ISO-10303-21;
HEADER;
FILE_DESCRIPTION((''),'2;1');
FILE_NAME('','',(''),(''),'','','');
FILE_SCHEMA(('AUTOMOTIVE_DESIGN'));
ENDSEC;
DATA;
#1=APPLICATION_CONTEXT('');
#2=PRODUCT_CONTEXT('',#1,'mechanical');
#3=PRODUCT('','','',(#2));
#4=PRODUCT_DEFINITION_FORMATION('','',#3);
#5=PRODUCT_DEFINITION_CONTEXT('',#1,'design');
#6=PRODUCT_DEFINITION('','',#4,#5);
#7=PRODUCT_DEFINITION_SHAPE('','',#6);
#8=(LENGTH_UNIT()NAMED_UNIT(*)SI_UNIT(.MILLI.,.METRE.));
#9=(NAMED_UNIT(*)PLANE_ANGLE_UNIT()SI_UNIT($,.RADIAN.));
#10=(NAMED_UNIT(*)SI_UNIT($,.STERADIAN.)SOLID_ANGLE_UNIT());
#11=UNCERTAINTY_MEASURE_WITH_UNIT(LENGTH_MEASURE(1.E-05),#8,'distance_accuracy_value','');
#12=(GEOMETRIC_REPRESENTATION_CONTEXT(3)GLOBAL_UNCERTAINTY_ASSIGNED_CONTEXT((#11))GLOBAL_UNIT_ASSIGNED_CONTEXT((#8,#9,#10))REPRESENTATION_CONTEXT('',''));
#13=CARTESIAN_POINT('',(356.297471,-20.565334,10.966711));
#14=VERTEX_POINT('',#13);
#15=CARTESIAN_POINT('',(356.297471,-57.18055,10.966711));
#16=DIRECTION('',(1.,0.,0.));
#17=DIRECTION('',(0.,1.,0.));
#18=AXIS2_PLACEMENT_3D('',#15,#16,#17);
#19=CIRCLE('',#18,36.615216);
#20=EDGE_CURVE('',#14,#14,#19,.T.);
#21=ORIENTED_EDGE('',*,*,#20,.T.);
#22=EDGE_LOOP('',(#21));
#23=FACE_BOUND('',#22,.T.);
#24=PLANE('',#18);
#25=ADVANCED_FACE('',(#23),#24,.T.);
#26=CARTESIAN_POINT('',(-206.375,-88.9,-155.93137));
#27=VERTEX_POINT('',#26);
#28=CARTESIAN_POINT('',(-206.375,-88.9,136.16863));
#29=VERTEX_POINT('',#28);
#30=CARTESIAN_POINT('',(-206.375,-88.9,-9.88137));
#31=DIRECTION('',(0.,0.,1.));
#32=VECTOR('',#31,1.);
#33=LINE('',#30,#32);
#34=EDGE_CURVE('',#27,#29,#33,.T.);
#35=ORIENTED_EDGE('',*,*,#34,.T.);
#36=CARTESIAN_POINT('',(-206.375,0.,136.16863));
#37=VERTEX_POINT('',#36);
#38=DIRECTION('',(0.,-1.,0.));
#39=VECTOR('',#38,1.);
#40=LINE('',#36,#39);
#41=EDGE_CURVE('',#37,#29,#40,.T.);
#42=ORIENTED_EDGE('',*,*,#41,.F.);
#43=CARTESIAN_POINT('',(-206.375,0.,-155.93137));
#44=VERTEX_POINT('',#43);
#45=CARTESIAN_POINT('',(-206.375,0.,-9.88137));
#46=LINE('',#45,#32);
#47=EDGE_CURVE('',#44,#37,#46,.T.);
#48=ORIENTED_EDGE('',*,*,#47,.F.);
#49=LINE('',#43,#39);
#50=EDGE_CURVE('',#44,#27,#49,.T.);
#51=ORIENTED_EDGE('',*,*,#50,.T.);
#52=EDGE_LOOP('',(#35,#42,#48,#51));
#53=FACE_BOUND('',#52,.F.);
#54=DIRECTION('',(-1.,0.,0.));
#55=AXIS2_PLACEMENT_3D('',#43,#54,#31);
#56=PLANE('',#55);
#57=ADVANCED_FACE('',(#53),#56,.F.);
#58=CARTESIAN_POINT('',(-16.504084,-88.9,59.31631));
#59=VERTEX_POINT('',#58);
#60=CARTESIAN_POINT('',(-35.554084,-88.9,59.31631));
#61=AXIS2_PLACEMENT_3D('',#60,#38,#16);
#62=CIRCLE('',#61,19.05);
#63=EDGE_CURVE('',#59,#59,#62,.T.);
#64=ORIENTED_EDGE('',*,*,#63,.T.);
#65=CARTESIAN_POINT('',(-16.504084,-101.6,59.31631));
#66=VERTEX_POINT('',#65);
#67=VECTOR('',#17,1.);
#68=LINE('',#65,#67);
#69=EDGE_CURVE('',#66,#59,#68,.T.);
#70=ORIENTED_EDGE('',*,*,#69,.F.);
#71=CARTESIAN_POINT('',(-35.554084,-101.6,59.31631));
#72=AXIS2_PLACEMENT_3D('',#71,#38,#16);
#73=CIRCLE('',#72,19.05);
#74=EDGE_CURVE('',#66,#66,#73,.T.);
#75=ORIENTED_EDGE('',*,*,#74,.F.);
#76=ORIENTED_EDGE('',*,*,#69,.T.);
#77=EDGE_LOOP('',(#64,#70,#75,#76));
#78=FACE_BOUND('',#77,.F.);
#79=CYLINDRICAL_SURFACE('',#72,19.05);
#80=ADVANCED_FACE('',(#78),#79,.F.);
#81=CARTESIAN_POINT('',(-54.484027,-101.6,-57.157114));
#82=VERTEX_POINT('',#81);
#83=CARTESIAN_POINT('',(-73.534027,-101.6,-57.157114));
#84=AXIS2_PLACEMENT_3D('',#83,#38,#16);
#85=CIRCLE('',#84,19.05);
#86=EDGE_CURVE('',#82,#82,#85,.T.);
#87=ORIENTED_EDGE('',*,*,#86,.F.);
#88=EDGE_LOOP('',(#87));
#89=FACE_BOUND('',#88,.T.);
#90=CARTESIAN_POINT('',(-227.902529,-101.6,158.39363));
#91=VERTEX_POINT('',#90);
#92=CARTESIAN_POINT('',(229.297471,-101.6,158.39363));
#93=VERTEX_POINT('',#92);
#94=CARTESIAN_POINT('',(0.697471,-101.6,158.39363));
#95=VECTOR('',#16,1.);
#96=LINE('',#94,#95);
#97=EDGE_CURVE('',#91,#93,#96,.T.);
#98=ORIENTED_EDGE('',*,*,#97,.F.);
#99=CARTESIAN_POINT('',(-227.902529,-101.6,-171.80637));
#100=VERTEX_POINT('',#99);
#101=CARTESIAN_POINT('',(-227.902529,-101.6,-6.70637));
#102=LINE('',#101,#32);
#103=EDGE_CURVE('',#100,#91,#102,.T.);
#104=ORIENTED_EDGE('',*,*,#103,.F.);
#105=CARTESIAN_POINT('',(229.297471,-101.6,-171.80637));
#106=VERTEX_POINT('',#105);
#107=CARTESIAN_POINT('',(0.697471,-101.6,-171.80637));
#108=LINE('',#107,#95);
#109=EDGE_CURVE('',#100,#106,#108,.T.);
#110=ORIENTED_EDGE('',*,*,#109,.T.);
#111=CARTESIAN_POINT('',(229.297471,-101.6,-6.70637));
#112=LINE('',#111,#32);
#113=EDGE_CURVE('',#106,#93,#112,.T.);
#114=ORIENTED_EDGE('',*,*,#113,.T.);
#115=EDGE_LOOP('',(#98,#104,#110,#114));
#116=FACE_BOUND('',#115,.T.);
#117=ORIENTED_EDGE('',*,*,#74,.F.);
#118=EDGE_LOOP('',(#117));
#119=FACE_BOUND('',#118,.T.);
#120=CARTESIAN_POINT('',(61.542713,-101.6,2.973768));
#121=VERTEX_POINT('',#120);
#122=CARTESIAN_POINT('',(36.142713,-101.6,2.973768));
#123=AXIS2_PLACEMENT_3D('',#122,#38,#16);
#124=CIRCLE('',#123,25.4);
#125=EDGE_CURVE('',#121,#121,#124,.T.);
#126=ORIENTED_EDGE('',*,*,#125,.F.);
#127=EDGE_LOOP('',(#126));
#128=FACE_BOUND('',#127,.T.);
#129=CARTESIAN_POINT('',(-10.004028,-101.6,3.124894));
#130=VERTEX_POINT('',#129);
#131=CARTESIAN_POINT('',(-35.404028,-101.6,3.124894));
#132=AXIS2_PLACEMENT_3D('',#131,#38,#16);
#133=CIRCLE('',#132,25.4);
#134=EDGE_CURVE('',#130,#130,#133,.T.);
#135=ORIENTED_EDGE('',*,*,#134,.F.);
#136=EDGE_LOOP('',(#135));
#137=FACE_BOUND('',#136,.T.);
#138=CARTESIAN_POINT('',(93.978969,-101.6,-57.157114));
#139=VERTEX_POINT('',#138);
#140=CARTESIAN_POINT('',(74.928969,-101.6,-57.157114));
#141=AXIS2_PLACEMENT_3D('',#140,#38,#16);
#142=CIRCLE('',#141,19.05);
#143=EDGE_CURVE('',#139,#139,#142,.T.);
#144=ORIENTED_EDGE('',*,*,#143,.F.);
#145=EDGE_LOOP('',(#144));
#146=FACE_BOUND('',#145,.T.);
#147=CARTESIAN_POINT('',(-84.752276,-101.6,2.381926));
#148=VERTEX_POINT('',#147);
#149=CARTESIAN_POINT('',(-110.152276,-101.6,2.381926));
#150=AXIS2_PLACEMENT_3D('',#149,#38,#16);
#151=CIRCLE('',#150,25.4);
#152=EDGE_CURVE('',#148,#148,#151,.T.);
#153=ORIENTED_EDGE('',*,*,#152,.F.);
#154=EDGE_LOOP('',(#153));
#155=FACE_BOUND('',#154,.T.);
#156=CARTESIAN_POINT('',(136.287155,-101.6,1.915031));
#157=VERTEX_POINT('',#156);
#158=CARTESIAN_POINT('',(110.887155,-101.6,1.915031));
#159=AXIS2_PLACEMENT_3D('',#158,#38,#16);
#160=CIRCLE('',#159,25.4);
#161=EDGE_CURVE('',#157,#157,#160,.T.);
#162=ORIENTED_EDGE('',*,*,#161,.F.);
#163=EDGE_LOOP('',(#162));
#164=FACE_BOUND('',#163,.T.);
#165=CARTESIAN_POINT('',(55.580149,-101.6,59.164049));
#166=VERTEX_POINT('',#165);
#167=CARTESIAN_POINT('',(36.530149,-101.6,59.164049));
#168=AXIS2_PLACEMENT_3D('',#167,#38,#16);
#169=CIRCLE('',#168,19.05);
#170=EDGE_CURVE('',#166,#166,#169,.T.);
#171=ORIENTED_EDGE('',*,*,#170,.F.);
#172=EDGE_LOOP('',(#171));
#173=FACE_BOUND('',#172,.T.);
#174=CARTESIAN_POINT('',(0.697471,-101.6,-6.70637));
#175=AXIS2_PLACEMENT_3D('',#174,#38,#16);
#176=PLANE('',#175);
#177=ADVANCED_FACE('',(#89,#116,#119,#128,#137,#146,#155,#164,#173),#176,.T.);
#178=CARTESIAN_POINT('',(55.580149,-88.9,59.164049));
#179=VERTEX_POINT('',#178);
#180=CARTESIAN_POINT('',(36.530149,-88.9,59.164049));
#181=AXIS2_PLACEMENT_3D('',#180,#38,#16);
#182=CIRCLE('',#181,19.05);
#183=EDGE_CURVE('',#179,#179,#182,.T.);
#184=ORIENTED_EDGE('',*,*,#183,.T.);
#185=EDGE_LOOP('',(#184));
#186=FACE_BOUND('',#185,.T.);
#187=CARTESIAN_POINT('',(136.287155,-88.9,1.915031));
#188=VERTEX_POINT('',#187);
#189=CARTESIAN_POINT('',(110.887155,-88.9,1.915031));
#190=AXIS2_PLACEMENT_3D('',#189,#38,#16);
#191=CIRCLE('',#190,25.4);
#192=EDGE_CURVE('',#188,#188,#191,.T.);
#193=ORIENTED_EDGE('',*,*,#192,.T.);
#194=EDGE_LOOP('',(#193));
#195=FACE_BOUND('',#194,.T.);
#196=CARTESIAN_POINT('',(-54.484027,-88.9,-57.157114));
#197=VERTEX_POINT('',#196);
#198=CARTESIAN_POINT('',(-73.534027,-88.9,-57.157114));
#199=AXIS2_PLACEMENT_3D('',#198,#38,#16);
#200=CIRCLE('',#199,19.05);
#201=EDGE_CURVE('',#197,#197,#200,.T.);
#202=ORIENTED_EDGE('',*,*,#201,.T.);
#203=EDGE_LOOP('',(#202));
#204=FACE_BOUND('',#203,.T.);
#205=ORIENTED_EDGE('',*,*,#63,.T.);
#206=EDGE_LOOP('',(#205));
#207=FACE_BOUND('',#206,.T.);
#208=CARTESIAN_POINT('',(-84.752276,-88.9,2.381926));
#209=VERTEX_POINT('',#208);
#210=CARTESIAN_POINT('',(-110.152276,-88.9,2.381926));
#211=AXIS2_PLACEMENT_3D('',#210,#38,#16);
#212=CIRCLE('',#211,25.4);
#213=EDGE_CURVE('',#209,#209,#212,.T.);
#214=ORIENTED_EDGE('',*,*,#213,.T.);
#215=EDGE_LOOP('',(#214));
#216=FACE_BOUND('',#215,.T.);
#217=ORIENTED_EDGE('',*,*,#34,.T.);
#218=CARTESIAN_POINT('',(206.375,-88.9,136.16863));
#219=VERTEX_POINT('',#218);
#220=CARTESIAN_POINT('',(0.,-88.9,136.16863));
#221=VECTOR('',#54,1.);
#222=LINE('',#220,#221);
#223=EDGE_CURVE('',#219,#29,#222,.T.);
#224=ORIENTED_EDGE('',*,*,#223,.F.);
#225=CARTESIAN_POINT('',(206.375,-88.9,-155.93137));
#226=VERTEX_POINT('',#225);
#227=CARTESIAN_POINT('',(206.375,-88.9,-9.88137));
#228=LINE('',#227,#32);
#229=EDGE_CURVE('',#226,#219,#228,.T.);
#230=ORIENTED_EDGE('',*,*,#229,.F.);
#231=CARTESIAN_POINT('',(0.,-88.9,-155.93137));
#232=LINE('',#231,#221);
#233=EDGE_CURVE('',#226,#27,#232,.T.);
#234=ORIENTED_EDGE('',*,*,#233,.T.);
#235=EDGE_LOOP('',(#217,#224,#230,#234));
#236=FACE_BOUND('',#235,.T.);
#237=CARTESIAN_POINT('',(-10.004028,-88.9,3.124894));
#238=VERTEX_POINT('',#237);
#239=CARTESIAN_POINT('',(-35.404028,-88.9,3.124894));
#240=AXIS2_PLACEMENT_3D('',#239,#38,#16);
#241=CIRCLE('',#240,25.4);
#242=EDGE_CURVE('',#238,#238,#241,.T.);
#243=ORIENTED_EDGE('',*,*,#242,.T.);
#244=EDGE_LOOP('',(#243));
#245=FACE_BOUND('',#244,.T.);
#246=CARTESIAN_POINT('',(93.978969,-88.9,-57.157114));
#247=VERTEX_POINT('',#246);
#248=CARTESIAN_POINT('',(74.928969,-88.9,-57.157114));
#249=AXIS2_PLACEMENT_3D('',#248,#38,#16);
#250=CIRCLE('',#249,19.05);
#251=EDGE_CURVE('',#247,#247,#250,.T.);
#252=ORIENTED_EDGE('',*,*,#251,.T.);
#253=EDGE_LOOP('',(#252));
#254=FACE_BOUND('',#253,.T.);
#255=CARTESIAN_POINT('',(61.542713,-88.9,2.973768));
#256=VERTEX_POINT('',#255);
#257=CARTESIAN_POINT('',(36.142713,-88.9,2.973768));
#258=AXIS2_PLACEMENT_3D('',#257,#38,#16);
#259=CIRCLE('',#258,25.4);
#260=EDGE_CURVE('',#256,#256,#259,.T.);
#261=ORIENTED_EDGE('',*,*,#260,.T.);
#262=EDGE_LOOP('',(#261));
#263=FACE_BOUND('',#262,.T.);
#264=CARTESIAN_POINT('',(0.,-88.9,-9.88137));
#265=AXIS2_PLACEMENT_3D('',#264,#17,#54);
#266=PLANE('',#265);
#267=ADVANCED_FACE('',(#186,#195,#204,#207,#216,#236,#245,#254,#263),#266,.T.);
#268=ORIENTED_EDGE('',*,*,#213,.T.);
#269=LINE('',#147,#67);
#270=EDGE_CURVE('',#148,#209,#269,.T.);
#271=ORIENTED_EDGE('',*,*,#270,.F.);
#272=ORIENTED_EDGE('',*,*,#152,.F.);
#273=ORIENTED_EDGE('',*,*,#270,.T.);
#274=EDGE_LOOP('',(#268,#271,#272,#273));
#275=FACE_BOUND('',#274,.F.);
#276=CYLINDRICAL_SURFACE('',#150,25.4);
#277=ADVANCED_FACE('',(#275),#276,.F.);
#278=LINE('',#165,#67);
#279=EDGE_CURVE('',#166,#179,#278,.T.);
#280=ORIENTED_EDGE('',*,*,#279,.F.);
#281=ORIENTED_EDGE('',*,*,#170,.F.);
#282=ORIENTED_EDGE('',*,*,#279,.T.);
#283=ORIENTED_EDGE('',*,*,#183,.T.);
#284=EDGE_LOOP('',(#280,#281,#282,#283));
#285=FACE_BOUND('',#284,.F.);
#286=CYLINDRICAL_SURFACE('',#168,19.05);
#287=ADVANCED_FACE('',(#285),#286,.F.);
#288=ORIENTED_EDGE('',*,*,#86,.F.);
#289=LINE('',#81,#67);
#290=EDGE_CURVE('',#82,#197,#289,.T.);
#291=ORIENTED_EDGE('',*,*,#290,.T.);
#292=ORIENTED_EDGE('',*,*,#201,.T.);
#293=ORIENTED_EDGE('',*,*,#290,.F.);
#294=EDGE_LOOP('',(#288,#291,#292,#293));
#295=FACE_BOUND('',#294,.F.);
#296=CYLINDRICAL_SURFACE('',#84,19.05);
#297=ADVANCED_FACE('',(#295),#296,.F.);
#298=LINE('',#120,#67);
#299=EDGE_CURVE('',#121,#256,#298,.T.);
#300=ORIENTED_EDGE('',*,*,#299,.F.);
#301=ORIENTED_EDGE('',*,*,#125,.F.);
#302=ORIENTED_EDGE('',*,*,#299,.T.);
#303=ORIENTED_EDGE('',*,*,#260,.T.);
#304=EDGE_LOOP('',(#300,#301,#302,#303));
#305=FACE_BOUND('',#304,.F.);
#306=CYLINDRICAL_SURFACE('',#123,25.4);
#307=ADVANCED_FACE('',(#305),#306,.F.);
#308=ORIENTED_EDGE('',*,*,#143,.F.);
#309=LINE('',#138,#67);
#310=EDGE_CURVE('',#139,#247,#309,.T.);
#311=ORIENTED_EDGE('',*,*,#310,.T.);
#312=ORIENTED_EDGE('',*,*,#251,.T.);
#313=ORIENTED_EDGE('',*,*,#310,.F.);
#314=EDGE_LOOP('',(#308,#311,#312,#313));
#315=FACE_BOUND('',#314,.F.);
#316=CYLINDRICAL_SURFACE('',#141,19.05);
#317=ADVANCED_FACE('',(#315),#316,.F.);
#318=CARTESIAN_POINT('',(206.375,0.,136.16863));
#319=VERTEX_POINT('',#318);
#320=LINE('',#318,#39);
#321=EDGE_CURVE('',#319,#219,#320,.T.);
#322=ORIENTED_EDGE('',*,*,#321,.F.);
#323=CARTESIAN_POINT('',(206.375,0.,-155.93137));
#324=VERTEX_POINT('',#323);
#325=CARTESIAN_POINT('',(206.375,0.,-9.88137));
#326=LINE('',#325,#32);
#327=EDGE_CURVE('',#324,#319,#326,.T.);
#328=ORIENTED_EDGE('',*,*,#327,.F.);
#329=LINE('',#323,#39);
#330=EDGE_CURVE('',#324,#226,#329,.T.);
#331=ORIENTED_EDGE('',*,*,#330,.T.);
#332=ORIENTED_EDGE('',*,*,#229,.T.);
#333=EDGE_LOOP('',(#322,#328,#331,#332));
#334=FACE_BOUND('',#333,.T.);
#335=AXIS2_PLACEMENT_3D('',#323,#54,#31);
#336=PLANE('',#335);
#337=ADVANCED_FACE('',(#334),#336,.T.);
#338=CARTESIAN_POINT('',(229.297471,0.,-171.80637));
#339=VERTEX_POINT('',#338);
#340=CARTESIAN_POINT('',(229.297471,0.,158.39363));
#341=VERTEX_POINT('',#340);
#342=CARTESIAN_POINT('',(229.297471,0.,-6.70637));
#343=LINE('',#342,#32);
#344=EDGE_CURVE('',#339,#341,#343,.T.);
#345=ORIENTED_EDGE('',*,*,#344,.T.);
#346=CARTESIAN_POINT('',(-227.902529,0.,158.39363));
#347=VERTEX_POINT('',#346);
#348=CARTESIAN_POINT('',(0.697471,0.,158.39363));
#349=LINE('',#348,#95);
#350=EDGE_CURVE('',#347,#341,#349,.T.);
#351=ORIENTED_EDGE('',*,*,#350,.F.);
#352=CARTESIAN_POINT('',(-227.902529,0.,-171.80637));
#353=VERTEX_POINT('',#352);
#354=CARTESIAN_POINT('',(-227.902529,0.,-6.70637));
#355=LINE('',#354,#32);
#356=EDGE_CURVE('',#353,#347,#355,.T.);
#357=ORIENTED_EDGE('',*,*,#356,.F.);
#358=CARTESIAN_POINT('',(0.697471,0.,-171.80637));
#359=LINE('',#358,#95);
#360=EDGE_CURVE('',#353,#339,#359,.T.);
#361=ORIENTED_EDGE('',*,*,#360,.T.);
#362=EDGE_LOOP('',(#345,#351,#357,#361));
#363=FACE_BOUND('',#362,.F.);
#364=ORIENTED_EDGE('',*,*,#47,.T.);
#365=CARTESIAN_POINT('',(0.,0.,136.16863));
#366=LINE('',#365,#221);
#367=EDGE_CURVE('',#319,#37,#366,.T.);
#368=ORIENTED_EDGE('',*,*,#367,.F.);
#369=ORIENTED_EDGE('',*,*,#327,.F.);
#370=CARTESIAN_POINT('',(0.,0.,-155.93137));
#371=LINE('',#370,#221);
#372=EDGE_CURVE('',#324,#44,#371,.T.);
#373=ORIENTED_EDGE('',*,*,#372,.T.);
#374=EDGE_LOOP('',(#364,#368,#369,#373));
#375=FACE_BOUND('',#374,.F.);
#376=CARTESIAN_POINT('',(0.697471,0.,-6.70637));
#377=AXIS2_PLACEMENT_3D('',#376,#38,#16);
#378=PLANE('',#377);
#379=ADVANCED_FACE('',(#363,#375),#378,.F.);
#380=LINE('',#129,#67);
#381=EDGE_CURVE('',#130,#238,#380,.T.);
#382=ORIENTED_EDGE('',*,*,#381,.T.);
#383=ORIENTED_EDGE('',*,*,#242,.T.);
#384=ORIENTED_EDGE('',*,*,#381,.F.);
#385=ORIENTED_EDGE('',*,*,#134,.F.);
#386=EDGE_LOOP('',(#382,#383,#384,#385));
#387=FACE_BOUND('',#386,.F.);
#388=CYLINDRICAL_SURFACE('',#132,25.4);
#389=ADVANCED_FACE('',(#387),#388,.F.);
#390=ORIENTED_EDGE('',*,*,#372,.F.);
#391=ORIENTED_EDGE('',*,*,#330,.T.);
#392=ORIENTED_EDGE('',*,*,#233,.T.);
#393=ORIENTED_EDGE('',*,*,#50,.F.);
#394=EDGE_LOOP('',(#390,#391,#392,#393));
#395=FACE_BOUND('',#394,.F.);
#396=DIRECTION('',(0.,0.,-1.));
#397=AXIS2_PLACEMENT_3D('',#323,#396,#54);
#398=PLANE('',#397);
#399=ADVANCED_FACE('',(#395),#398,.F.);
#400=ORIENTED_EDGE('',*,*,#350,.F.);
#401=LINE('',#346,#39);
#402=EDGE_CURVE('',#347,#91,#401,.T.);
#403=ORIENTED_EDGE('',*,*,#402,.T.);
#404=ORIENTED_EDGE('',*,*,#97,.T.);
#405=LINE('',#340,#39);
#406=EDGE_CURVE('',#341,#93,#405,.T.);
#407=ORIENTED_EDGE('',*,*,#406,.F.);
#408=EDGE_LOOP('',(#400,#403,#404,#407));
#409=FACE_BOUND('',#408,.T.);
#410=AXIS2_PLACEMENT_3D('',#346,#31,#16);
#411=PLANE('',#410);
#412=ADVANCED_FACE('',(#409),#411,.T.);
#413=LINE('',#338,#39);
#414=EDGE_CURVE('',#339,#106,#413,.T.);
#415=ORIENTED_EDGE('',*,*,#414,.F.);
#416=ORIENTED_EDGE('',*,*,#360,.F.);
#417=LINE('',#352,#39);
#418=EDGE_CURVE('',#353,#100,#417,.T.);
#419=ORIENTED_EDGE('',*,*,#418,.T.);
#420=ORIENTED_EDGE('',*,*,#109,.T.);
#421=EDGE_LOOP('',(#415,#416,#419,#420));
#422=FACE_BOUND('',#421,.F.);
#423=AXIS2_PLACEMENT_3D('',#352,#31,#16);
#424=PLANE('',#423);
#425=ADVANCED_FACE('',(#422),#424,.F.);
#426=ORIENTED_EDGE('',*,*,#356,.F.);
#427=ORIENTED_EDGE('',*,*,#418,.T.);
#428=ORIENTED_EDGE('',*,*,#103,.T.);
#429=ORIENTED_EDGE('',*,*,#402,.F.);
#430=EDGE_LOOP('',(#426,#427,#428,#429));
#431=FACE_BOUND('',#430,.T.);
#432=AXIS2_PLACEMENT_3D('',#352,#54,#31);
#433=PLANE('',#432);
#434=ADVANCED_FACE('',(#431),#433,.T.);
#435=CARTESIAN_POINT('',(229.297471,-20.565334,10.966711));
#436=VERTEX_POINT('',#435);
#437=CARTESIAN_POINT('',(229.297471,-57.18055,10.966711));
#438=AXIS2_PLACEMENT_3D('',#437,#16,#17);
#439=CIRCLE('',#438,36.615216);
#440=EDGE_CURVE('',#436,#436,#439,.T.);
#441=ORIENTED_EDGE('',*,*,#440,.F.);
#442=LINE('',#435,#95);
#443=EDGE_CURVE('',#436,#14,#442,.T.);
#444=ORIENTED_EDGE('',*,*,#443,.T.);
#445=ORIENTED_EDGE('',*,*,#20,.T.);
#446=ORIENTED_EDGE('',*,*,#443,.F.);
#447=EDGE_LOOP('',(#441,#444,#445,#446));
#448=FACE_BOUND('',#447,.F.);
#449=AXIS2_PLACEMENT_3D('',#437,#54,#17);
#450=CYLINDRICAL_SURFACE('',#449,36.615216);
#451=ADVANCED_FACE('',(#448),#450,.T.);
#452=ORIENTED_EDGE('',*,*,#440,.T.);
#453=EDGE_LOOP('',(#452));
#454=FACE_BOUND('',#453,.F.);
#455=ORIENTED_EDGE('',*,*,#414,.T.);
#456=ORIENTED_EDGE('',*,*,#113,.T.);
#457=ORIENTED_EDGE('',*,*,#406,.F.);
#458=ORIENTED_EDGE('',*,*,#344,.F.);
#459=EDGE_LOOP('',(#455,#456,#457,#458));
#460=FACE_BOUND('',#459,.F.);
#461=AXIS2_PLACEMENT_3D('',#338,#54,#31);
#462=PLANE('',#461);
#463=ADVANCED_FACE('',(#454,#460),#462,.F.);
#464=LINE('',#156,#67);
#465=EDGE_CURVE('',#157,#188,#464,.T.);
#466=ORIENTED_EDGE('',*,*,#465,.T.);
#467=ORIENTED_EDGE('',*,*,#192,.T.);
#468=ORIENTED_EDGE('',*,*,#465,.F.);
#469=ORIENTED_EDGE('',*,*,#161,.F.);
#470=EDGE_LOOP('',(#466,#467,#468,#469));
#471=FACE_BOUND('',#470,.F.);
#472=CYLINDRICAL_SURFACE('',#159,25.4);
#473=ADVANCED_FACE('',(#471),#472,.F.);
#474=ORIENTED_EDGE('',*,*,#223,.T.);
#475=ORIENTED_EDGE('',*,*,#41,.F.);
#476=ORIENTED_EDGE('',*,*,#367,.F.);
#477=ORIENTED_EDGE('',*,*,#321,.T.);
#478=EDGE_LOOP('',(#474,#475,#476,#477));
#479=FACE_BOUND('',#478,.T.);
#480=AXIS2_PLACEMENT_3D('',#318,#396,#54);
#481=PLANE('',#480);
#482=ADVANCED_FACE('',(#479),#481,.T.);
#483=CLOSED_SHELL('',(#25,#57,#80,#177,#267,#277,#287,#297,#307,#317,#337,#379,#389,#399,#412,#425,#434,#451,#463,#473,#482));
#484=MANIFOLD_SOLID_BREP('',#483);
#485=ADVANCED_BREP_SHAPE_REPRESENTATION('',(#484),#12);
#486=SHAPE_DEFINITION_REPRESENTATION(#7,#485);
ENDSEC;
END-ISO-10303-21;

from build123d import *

# Parameters (mm, degrees)
F0_W     = 457.2
F0_H     = 330.2
F1_DEPTH = 101.6
F2_W     = 412.75
F2_H     = 292.1
F3_DEPTH = 88.9
F4_R     = 25.4
F4_R_2   = 19.05
F5_DEPTH = 12.7
F6_R     = 36.615216
F7_DEPTH = 127


with BuildPart() as f1:
    # F0 (on Front) → F1 (new body)
    with BuildSketch(Plane.XZ):
        with Locations((0.697471, -6.70637)):
            Rectangle(F0_W, F0_H)
    extrude(amount=F1_DEPTH)

    # F2 (on face) → F3 (cut)
    with BuildSketch(Plane(origin=(0, 0, 0), x_dir=(-1, 0, 0), z_dir=(0, 1, 0))):
        with Locations((0, -9.88137)):
            Rectangle(F2_W, F2_H)
    extrude(amount=-F3_DEPTH, mode=Mode.SUBTRACT)

    # F4 (on face) → F5 (cut, through all)
    with BuildSketch(Plane.XZ.offset(101.6)):
        with Locations((-35.404028, 3.124894)):
            Circle(F4_R)
        with Locations((-110.152276, 2.381926)):
            Circle(F4_R)
        with Locations((-35.554084, 59.31631)):
            Circle(F4_R_2)
        with Locations((-73.534027, -57.157114)):
            Circle(F4_R_2)
        with Locations((36.530149, 59.164049)):
            Circle(F4_R_2)
        with Locations((110.887155, 1.915031)):
            Circle(F4_R)
        with Locations((36.142713, 2.973768)):
            Circle(F4_R)
        with Locations((74.928969, -57.157114)):
            Circle(F4_R_2)
    extrude(amount=-F5_DEPTH, mode=Mode.SUBTRACT)

    # F6 (on face) → F7 (join)
    with BuildSketch(Plane.YZ.offset(229.297471)):
        with Locations((-57.18055, 10.966711)):
            Circle(F6_R)
    extrude(amount=F7_DEPTH)


solid = f1.part
